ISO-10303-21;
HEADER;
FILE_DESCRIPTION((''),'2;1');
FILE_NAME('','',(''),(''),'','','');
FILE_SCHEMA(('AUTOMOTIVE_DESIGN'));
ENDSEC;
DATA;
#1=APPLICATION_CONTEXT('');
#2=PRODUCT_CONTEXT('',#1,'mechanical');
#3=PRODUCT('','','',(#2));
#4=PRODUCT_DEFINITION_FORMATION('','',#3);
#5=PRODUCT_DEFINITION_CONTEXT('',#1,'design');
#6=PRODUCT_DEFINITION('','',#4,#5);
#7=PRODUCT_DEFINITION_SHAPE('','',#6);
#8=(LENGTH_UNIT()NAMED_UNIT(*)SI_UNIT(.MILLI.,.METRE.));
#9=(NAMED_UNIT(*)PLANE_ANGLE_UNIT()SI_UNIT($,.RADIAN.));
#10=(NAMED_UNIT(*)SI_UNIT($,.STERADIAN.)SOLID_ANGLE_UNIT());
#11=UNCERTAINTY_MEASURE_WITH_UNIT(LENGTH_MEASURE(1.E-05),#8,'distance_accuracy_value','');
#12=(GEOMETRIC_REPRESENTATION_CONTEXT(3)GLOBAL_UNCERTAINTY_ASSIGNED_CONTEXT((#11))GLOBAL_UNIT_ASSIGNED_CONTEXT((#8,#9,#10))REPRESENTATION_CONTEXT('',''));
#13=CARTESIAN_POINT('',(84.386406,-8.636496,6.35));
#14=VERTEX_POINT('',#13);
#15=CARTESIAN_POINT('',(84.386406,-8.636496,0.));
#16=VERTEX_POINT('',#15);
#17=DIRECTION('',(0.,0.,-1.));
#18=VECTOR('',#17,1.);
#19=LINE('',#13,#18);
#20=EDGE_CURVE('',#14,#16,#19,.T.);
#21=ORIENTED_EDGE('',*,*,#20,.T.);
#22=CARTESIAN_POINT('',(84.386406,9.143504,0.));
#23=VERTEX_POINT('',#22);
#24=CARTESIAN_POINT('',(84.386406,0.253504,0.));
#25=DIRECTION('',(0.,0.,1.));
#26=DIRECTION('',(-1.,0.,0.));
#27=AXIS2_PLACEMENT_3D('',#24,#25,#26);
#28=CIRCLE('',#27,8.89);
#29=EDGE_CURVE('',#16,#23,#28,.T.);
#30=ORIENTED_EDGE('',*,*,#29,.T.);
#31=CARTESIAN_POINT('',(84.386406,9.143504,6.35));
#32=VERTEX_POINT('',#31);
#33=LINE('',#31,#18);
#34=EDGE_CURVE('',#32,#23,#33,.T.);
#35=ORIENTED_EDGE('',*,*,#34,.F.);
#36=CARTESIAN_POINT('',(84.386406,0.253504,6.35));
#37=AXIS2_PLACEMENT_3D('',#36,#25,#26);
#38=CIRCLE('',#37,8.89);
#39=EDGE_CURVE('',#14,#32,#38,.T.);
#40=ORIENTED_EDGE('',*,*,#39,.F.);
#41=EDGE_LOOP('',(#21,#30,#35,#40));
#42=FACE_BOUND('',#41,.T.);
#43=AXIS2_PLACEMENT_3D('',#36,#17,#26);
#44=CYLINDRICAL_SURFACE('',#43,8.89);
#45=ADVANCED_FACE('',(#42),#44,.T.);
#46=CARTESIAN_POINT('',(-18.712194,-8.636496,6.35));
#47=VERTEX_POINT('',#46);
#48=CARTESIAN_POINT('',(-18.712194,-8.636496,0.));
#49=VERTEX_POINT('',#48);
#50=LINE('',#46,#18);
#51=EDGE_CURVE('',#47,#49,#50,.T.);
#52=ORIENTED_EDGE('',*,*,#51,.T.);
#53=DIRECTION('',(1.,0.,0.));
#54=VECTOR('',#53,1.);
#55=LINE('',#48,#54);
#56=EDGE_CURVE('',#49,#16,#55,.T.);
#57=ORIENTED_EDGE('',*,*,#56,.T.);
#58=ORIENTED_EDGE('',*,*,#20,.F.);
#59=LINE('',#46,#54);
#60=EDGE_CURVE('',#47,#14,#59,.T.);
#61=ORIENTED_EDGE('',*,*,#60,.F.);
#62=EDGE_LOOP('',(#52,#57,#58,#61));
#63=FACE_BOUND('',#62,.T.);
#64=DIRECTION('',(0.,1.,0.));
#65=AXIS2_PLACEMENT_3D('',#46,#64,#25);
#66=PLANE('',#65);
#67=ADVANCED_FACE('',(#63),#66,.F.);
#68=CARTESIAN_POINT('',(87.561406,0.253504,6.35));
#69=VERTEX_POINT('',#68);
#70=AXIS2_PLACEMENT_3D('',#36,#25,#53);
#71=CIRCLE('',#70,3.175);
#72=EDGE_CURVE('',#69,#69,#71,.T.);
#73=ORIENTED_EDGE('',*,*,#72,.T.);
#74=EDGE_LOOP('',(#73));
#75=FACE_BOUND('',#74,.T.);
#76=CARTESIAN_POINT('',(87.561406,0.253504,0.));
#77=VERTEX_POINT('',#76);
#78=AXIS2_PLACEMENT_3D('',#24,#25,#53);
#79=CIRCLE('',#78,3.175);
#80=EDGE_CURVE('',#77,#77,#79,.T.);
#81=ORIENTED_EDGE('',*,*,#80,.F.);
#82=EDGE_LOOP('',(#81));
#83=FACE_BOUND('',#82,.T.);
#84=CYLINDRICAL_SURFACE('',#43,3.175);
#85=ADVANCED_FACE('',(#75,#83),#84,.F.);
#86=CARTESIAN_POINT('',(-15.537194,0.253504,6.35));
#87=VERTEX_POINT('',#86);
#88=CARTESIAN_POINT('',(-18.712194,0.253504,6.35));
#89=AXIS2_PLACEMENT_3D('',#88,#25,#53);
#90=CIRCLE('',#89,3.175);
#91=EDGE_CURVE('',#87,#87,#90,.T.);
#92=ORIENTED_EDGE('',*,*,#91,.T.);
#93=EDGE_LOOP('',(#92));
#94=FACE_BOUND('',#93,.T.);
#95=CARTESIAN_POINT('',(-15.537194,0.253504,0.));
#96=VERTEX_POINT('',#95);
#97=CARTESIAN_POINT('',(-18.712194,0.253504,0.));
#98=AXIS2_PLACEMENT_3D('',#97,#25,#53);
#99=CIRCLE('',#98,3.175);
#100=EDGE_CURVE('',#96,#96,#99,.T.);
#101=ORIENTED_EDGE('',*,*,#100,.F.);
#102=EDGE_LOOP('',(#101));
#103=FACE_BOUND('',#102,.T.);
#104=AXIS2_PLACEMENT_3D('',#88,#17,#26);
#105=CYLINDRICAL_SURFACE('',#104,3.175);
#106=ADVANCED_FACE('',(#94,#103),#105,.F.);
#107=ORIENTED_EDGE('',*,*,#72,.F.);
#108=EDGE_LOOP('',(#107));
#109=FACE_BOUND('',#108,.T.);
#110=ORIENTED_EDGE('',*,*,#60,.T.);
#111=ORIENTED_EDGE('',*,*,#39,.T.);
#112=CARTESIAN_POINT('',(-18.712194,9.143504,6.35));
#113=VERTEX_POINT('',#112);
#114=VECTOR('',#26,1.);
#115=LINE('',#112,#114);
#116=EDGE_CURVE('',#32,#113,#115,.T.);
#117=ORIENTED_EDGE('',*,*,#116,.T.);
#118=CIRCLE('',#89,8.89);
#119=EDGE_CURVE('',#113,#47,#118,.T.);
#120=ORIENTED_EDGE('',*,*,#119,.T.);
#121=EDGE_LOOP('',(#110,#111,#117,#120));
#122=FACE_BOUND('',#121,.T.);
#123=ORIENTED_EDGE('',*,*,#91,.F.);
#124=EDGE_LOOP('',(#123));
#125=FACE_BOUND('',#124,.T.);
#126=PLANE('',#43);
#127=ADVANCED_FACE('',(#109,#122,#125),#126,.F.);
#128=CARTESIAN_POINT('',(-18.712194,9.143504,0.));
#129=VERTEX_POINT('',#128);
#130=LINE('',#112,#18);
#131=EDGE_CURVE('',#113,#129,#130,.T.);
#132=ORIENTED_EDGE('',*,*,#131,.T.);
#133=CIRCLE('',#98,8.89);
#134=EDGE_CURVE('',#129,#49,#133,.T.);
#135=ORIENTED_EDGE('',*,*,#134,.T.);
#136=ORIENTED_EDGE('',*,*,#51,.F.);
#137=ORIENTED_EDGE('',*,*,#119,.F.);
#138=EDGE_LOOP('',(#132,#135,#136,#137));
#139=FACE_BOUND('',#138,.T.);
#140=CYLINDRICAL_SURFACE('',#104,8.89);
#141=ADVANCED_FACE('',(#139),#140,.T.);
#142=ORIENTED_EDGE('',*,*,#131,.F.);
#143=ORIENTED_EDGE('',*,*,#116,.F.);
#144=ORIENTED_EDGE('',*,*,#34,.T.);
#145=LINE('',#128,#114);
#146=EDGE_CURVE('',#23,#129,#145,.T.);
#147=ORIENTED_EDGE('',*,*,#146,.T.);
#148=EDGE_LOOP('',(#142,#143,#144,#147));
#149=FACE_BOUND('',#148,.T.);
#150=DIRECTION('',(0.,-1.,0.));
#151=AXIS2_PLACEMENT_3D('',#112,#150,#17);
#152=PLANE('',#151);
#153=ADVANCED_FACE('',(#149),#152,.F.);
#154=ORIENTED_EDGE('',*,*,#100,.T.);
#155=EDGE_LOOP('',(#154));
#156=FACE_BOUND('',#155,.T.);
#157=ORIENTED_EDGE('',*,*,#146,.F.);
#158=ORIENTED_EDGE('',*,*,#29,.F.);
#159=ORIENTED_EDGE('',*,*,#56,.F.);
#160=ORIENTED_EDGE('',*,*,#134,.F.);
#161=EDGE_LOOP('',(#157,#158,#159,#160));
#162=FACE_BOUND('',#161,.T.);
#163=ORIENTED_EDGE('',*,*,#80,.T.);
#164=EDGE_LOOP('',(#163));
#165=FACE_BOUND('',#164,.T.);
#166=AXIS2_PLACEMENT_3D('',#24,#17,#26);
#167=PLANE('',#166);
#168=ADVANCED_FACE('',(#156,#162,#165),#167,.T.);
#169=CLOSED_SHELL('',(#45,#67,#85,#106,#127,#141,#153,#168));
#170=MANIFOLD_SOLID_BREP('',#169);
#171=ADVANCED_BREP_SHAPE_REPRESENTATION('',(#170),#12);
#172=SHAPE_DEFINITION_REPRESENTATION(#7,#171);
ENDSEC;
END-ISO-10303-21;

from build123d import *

# Parameters (mm, degrees)
SKETCH1_R           = 3.175
BOSS_EXTRUDE1_DEPTH = 6.35


with BuildPart() as part:
    # Sketch1 → Boss-Extrude1 (new body)
    with BuildSketch(Plane.XY):
        with BuildLine():
            Line((-18.712193521, -8.636495621), (84.386406479, -8.636495621))
            ThreePointArc((84.386406479, -8.636495621), (93.276406479, 0.253504379), (84.386406479, 9.143504379))
            Line((84.386406479, 9.143504379), (-18.712193521, 9.143504379))
            ThreePointArc((-18.712193521, 9.143504379), (-27.602193521, 0.253504379), (-18.712193521, -8.636495621))
        make_face()
        with Locations((-18.712193521, 0.253504379)):
            Circle(SKETCH1_R, mode=Mode.SUBTRACT)
        with Locations((84.386406479, 0.253504379)):
            Circle(SKETCH1_R, mode=Mode.SUBTRACT)
    extrude(amount=BOSS_EXTRUDE1_DEPTH)


solid = part.part
